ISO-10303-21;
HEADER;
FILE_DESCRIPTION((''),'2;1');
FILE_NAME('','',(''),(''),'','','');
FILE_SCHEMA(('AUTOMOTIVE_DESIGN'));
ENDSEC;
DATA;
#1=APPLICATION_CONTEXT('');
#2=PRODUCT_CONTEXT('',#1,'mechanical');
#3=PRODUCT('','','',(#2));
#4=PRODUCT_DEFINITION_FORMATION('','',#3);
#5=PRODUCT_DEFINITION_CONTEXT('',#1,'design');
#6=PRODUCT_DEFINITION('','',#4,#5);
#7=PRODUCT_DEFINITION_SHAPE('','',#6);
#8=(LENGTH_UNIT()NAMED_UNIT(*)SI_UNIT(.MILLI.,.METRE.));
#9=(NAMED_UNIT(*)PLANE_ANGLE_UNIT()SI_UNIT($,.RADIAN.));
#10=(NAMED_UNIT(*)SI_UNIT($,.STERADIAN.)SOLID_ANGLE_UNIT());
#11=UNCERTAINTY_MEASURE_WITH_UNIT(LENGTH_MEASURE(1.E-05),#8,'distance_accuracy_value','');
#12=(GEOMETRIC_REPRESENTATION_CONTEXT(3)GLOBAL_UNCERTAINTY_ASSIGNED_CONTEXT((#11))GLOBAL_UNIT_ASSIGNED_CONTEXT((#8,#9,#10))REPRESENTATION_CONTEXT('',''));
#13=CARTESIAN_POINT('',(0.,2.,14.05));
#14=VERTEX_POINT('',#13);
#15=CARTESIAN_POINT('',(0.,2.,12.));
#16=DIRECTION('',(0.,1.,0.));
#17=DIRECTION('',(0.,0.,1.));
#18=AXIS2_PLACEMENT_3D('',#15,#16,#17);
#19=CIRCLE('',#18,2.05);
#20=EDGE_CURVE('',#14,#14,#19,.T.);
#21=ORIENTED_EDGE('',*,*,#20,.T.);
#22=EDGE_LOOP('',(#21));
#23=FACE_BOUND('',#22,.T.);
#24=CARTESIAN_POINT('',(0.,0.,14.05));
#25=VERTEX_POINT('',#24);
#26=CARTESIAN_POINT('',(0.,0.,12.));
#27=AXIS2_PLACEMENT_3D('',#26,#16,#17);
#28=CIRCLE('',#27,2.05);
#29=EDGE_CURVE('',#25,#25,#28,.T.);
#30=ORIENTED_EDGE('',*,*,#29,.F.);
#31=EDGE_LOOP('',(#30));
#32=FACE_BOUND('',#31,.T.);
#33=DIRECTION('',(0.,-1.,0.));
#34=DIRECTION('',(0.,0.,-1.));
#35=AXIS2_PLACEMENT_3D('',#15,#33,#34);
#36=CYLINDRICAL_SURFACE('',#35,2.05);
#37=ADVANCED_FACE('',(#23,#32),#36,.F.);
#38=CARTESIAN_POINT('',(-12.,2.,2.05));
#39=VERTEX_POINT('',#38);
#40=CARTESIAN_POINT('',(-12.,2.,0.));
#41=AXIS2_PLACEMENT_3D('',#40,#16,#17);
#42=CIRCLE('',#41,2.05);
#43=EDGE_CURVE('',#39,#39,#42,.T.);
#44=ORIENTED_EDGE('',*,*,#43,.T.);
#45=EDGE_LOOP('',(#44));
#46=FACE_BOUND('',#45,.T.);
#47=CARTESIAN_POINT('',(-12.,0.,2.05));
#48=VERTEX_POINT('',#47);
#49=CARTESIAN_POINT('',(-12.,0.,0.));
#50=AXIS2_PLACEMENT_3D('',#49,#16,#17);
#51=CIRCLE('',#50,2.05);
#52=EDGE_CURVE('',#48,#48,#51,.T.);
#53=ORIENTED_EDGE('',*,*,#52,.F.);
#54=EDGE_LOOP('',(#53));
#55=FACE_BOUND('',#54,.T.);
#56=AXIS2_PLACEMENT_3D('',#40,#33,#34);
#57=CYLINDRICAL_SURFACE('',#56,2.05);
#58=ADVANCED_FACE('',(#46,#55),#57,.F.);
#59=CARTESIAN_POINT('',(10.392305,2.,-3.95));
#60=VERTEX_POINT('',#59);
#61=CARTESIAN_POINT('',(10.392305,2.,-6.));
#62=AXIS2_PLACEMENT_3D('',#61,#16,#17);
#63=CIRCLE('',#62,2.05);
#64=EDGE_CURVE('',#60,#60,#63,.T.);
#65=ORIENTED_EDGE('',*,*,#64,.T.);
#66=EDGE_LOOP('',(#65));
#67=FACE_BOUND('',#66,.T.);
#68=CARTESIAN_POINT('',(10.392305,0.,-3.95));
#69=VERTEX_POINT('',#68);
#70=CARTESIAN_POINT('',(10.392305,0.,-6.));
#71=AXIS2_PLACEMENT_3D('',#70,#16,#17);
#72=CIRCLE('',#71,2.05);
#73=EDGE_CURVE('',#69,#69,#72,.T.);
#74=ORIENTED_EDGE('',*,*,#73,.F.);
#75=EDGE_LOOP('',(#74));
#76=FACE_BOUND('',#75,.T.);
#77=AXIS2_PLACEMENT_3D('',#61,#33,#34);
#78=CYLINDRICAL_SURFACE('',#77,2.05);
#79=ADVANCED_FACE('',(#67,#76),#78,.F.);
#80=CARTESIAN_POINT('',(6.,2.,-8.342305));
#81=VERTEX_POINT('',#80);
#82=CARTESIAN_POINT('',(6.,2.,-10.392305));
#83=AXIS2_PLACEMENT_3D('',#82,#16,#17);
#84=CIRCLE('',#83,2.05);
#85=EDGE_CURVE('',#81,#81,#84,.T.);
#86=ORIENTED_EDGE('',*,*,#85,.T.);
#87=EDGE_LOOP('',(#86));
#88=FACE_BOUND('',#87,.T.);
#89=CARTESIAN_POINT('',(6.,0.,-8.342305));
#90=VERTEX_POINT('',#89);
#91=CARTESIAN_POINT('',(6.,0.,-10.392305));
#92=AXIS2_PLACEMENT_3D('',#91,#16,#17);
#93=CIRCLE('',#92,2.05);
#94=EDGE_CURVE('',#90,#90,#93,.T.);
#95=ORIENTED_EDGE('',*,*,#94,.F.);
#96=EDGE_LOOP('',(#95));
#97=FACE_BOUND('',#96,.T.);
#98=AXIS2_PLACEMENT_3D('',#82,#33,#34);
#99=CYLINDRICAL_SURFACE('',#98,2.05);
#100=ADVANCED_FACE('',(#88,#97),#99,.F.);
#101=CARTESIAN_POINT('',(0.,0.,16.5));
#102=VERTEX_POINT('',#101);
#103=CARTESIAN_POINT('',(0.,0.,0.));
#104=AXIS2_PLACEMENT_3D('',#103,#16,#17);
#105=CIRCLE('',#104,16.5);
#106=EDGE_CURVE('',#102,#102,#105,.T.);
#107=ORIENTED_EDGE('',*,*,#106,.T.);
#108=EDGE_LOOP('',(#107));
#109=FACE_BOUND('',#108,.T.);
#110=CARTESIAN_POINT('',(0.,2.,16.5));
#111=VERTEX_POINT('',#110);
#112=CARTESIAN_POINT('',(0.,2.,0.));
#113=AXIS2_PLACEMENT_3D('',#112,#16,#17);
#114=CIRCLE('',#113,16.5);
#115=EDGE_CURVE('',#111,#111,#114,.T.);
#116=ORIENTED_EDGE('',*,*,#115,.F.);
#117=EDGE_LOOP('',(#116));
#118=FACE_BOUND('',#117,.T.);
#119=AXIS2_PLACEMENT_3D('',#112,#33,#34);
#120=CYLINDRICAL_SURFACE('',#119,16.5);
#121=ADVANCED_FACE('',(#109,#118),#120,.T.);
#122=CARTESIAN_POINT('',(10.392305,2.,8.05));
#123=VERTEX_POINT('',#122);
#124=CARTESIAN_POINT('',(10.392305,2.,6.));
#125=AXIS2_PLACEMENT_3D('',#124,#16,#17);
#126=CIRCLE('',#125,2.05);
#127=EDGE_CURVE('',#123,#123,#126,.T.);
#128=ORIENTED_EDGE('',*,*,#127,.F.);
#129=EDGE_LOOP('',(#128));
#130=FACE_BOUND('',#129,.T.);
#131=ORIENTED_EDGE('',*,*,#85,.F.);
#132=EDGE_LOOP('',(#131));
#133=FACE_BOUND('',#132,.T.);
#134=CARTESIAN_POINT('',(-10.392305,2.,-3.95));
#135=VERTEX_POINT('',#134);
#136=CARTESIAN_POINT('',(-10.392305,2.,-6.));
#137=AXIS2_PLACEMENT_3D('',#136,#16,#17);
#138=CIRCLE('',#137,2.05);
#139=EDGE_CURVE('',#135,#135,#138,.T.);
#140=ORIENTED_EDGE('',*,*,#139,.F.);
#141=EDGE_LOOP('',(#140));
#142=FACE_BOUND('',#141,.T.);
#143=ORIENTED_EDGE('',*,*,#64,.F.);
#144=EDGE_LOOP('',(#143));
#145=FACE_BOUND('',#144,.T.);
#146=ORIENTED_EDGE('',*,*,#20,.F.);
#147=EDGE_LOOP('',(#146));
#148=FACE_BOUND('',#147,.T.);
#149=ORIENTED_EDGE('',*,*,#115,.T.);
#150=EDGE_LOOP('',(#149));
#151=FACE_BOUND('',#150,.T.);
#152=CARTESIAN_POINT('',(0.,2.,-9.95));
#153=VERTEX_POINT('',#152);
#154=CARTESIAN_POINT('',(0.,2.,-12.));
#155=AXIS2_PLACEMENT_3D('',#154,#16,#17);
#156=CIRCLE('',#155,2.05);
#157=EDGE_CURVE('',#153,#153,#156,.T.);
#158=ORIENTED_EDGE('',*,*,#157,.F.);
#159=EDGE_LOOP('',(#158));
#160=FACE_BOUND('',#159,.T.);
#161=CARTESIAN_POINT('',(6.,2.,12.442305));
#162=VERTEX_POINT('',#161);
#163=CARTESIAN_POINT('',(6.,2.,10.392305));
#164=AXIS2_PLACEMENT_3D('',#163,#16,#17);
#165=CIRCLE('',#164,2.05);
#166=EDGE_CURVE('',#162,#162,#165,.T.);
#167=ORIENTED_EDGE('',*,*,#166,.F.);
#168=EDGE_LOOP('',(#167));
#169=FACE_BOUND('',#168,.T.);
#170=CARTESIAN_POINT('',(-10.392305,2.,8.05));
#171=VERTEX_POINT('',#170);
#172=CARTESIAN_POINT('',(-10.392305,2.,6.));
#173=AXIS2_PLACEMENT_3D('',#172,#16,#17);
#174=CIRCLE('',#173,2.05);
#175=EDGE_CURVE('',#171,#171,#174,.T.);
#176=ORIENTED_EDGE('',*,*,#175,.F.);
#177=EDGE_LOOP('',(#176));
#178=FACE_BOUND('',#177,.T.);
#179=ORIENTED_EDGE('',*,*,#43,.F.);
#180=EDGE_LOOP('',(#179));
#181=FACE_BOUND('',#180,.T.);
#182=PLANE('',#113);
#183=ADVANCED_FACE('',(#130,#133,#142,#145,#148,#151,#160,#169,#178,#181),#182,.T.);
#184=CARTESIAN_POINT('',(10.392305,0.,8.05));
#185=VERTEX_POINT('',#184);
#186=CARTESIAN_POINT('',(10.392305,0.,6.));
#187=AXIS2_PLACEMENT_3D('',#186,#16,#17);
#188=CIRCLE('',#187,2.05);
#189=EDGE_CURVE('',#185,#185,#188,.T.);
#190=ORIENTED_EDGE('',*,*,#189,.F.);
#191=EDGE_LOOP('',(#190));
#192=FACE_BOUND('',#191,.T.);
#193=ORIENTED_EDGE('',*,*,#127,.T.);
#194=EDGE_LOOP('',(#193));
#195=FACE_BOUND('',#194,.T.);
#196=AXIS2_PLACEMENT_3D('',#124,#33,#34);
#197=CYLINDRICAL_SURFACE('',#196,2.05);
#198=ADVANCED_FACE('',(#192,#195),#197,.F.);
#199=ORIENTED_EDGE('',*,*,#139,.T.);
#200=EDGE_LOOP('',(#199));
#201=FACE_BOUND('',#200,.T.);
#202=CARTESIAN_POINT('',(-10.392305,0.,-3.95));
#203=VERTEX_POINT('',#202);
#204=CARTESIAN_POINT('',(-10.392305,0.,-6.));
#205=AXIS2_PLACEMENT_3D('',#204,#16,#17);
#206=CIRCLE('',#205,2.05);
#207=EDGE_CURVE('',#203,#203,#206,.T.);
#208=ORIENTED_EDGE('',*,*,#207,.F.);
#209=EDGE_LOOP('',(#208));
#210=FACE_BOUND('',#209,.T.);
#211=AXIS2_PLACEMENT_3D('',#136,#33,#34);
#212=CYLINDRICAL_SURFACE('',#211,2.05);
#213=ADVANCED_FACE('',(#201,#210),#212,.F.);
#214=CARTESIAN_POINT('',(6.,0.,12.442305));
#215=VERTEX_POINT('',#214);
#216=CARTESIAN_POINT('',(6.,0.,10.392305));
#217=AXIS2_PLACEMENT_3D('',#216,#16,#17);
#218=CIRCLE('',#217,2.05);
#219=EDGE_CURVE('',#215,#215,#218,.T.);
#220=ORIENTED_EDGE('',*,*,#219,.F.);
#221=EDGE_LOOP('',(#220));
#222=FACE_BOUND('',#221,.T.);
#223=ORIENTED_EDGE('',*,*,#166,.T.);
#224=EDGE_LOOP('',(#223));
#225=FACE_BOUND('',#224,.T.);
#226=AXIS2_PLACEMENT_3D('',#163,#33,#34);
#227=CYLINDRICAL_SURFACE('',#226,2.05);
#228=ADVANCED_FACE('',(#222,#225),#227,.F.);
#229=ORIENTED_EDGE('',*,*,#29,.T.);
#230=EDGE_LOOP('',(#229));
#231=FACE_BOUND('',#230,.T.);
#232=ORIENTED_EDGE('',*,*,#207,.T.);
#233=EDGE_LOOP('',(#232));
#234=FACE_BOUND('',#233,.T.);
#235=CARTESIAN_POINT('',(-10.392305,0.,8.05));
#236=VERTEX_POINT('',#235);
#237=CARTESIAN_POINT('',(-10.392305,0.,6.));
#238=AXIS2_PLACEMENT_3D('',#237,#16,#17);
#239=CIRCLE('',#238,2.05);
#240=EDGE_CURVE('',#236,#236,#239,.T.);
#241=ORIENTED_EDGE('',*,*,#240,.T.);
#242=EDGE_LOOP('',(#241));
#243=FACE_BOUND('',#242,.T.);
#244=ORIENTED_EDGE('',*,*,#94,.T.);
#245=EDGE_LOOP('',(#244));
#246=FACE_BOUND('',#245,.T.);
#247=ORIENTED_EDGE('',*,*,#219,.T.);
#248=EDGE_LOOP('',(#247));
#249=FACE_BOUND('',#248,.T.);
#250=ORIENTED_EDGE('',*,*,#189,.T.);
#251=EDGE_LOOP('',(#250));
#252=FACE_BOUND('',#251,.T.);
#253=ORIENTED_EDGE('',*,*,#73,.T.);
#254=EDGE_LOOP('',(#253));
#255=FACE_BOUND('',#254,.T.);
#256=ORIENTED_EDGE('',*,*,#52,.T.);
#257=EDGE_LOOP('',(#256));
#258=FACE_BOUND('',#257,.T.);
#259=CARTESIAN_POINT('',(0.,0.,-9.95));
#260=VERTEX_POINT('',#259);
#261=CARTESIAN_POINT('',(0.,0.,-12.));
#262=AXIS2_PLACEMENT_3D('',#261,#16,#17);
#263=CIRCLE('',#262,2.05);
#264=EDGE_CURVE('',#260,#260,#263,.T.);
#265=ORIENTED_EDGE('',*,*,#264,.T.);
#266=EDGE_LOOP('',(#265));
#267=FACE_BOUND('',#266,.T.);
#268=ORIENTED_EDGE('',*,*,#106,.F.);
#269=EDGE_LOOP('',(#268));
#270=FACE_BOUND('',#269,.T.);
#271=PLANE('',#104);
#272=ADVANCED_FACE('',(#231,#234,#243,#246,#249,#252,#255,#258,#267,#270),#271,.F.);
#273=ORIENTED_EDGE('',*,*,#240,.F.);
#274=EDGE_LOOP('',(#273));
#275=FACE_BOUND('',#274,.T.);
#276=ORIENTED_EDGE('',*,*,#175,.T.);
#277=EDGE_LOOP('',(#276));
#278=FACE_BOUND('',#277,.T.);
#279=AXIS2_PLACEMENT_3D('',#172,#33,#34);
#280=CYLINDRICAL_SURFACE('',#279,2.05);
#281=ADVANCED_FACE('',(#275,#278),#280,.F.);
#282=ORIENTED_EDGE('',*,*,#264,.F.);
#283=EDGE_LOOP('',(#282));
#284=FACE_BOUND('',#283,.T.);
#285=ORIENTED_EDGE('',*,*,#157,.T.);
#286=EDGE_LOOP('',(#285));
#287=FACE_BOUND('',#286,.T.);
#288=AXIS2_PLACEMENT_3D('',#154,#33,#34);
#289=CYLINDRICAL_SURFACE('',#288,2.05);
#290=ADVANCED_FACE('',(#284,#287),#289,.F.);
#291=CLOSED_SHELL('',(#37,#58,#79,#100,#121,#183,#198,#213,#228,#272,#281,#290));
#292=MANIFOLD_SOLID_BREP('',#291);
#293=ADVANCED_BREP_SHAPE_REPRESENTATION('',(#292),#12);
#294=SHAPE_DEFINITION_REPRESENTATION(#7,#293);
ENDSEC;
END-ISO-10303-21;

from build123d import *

# Parameters (mm, degrees)
SKETCH_1_R      = 16.5
SKETCH_1_R_2    = 2.05
EXTRUDE_1_DEPTH = 2


with BuildPart() as part:
    # 草图1 → 凸台-拉伸1 (new body)
    with BuildSketch(Plane(origin=(0, 0, 0), x_dir=(1, 0, 0), z_dir=(0, 1, 0))):
        with Locations(Location((0, 0, 0), (0, 0, 270))):
            Circle(SKETCH_1_R)
        with Locations(Location((-12, 0, 0), (0, 0, 270))):
            Circle(SKETCH_1_R_2, mode=Mode.SUBTRACT)
        with Locations(Location((6, 10.392304845, 0), (0, 0, 270))):
            Circle(SKETCH_1_R_2, mode=Mode.SUBTRACT)
        with Locations(Location((6, -10.392304845, 0), (0, 0, 270))):
            Circle(SKETCH_1_R_2, mode=Mode.SUBTRACT)
        with Locations(Location((0, 12, 0), (0, 0, 270))):
            Circle(SKETCH_1_R_2, mode=Mode.SUBTRACT)
        with Locations(Location((-10.392304845, 6, 0), (0, 0, 270))):
            Circle(SKETCH_1_R_2, mode=Mode.SUBTRACT)
        with Locations(Location((10.392304845, 6, 0), (0, 0, 270))):
            Circle(SKETCH_1_R_2, mode=Mode.SUBTRACT)
        with Locations(Location((10.392304845, -6, 0), (0, 0, 270))):
            Circle(SKETCH_1_R_2, mode=Mode.SUBTRACT)
        with Locations(Location((0, -12, 0), (0, 0, 270))):
            Circle(SKETCH_1_R_2, mode=Mode.SUBTRACT)
        with Locations(Location((-10.392304845, -6, 0), (0, 0, 270))):
            Circle(SKETCH_1_R_2, mode=Mode.SUBTRACT)
    extrude(amount=EXTRUDE_1_DEPTH)


solid = part.part
